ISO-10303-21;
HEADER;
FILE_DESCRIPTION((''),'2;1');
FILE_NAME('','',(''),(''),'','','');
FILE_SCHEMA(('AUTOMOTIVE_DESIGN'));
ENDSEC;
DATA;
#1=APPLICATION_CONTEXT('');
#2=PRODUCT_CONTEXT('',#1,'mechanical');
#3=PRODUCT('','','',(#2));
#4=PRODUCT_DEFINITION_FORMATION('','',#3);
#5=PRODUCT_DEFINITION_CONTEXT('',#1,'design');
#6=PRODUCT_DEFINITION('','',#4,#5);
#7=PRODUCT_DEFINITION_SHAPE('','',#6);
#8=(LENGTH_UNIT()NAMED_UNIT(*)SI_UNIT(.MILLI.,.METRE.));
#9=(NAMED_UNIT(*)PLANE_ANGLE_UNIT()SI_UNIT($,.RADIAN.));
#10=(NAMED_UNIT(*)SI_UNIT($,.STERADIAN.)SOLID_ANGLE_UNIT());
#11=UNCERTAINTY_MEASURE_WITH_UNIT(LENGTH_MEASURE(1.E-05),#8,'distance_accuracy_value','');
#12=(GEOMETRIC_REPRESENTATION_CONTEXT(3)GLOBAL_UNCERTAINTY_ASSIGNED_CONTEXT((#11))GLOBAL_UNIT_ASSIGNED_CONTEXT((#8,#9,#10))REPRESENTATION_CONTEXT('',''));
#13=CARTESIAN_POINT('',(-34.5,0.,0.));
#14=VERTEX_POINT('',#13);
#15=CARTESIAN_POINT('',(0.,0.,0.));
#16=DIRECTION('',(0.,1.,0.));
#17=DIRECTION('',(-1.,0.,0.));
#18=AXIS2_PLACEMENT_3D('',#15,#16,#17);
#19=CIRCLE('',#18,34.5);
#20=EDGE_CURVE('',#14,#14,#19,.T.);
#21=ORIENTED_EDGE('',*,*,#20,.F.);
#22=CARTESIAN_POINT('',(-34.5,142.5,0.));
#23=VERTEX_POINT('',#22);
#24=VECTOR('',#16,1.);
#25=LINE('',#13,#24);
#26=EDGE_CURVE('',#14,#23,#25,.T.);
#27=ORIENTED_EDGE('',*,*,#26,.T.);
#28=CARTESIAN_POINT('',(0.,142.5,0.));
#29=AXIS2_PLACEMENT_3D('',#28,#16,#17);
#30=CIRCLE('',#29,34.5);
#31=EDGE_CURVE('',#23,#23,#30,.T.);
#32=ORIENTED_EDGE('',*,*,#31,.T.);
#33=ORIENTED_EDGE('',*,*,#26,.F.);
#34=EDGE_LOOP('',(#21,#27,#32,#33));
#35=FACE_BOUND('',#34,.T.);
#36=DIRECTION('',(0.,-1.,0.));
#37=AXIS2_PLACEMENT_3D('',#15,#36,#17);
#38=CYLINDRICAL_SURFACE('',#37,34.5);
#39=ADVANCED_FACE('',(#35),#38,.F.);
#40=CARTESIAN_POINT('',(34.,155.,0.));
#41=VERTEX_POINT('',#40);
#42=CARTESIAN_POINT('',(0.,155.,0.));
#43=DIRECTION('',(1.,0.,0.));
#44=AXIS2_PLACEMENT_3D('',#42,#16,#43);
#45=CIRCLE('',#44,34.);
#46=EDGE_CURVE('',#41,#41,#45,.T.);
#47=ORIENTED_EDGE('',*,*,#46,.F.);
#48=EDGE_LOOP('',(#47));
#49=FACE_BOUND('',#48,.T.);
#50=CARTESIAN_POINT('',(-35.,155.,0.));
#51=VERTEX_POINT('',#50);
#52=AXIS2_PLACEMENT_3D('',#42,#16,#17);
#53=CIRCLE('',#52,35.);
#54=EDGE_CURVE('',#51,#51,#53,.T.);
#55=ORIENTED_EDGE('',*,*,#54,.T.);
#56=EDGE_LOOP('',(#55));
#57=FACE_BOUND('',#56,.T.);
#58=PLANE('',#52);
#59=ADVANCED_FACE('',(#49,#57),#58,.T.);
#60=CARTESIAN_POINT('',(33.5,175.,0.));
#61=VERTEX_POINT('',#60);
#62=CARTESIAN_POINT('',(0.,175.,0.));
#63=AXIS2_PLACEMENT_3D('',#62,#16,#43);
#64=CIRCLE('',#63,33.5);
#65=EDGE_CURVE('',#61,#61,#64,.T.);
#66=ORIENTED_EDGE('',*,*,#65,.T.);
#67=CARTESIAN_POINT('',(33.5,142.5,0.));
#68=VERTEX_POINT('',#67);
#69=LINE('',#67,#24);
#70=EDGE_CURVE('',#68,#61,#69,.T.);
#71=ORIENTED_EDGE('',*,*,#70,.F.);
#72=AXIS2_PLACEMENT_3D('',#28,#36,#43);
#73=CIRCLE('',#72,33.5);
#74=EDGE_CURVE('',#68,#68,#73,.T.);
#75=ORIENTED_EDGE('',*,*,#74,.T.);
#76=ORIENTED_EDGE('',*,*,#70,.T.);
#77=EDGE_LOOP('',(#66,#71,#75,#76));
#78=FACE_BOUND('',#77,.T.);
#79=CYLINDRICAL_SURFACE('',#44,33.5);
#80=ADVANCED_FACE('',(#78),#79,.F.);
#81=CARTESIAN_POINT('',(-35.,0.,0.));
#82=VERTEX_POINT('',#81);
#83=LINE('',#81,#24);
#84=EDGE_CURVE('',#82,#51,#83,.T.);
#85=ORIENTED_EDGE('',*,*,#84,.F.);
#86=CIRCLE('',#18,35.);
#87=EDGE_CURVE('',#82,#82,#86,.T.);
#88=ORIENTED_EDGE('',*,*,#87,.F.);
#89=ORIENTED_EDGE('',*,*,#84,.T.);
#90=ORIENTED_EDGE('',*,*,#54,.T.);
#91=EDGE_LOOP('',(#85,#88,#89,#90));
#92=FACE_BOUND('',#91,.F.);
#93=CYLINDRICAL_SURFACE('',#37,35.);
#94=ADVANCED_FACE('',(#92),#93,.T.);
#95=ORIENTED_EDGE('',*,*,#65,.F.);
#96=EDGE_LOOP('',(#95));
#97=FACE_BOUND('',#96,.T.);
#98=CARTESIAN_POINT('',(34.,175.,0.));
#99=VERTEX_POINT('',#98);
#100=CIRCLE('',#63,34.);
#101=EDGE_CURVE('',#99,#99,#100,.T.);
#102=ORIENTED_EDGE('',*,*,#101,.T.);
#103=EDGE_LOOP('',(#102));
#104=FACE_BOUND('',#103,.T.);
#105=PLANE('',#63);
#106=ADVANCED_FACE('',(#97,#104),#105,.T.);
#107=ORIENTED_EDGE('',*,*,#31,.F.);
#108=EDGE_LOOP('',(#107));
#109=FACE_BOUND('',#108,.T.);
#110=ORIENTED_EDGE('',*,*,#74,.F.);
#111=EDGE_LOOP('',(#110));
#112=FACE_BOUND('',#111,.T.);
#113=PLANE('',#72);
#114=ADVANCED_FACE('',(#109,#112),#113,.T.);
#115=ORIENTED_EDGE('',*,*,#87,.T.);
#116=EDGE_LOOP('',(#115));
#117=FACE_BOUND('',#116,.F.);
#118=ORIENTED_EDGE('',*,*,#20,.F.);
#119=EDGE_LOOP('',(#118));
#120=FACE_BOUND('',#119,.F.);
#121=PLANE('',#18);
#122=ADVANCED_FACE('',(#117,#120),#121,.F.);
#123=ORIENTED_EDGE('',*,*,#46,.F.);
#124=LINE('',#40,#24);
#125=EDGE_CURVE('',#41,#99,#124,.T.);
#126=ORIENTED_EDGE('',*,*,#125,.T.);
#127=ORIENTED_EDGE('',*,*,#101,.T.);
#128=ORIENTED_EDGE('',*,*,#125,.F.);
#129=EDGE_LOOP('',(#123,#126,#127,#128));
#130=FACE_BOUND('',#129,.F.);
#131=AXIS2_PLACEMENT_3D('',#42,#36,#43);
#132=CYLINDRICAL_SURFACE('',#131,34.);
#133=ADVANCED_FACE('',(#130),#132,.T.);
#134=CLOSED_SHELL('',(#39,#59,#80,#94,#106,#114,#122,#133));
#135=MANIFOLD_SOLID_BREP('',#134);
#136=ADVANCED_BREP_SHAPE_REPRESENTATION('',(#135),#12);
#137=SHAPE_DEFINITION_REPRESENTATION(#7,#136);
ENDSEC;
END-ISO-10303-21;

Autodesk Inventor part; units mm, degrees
ref_plane "XZ Plane" through (0, 0, 0) normal (0, 1, 0) x (-1, 0, 0)
sketch "Sketch1" plane through (0, 0, 0) normal (0, 1, 0) x (-1, 0, 0)
  circle A0 centre (0, 0) radius 35
  circle A1 centre (0, 0) radius 34.5
  dimension "d0" = 70
  dimension "d1" = 69
extrude "Extrusion1" add sketch "Sketch1" along normal blind 155
ref_plane "Work Plane2" through (35, 0, 0) normal (1, 0, 0) x (0, 1, 0)
sketch "Sketch5" plane through (0, 155, 0) normal (0, 1, 0) x (1, 0, 0)
  circle A0 centre (0, 0) radius 34
  circle A1 centre (0, 0) radius 33.5
  dimension "d44" = 68
  dimension "d45" = 67
extrude "Extrusion3" add sketch "Sketch5" along normal blind 20
sketch "Sketch6" plane through (0, 155, 0) normal (0, -1, 0) x (1, 0, 0)
  circle A0 centre (0, 0) radius 33.5
  circle A1 centre (0, 0) radius 34.5 projected
  circle A2 centre (0, 0) radius 35
extrude "Extrusion4" add sketch "Sketch6" along normal blind 12.5 contours A1
ref_plane "Work Plane4" through (34, 0, 0) normal (1, 0, 0) x (0, 1, 0)
properties part number "Engine skin lower" material "Plastic, Opaque White"
